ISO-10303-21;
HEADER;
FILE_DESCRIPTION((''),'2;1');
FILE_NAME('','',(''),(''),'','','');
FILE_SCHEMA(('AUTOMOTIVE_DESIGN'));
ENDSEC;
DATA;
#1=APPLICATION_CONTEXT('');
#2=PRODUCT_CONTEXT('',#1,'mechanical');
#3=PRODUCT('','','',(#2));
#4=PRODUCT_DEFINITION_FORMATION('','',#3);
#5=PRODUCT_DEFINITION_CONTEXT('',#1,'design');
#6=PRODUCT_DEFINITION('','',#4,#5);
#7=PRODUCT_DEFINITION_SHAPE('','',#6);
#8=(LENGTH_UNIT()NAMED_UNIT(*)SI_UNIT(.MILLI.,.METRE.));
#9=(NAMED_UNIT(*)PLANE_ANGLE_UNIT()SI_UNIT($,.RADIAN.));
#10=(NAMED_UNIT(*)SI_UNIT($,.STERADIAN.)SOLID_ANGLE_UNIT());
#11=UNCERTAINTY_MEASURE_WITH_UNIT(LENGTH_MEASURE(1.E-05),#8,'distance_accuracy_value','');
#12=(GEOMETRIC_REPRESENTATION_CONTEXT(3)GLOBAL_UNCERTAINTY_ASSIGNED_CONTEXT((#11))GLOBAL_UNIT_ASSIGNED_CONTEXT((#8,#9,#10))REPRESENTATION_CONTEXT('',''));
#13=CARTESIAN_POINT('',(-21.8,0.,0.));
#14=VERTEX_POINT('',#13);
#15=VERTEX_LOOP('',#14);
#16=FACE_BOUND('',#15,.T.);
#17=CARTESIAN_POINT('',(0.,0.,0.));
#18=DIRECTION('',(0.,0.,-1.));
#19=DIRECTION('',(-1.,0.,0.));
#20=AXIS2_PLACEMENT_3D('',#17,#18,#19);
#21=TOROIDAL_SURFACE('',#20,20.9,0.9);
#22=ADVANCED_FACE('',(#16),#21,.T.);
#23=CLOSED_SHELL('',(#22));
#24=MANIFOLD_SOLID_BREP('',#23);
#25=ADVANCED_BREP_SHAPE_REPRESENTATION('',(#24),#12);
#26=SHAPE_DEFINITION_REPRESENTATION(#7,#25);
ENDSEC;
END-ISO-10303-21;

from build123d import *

# Parameters (mm, degrees)
SKETCH2_R = 0.9


with BuildPart() as part:
    # Sweep1: sweep along a path in Sketch1
    with BuildLine(Plane.XY) as sweep1_path:
        CenterArc((0, 0), 20, 0, 360)
    # Sketch2 → Sweep1 (sweep)
    with BuildSketch(Plane(origin=(0, 0, 0), x_dir=(1, 0, 0), z_dir=(0, 1, 0))):
        with Locations((-20.9, 0)):
            Circle(SKETCH2_R)
    sweep(path=sweep1_path.line)


solid = part.part
